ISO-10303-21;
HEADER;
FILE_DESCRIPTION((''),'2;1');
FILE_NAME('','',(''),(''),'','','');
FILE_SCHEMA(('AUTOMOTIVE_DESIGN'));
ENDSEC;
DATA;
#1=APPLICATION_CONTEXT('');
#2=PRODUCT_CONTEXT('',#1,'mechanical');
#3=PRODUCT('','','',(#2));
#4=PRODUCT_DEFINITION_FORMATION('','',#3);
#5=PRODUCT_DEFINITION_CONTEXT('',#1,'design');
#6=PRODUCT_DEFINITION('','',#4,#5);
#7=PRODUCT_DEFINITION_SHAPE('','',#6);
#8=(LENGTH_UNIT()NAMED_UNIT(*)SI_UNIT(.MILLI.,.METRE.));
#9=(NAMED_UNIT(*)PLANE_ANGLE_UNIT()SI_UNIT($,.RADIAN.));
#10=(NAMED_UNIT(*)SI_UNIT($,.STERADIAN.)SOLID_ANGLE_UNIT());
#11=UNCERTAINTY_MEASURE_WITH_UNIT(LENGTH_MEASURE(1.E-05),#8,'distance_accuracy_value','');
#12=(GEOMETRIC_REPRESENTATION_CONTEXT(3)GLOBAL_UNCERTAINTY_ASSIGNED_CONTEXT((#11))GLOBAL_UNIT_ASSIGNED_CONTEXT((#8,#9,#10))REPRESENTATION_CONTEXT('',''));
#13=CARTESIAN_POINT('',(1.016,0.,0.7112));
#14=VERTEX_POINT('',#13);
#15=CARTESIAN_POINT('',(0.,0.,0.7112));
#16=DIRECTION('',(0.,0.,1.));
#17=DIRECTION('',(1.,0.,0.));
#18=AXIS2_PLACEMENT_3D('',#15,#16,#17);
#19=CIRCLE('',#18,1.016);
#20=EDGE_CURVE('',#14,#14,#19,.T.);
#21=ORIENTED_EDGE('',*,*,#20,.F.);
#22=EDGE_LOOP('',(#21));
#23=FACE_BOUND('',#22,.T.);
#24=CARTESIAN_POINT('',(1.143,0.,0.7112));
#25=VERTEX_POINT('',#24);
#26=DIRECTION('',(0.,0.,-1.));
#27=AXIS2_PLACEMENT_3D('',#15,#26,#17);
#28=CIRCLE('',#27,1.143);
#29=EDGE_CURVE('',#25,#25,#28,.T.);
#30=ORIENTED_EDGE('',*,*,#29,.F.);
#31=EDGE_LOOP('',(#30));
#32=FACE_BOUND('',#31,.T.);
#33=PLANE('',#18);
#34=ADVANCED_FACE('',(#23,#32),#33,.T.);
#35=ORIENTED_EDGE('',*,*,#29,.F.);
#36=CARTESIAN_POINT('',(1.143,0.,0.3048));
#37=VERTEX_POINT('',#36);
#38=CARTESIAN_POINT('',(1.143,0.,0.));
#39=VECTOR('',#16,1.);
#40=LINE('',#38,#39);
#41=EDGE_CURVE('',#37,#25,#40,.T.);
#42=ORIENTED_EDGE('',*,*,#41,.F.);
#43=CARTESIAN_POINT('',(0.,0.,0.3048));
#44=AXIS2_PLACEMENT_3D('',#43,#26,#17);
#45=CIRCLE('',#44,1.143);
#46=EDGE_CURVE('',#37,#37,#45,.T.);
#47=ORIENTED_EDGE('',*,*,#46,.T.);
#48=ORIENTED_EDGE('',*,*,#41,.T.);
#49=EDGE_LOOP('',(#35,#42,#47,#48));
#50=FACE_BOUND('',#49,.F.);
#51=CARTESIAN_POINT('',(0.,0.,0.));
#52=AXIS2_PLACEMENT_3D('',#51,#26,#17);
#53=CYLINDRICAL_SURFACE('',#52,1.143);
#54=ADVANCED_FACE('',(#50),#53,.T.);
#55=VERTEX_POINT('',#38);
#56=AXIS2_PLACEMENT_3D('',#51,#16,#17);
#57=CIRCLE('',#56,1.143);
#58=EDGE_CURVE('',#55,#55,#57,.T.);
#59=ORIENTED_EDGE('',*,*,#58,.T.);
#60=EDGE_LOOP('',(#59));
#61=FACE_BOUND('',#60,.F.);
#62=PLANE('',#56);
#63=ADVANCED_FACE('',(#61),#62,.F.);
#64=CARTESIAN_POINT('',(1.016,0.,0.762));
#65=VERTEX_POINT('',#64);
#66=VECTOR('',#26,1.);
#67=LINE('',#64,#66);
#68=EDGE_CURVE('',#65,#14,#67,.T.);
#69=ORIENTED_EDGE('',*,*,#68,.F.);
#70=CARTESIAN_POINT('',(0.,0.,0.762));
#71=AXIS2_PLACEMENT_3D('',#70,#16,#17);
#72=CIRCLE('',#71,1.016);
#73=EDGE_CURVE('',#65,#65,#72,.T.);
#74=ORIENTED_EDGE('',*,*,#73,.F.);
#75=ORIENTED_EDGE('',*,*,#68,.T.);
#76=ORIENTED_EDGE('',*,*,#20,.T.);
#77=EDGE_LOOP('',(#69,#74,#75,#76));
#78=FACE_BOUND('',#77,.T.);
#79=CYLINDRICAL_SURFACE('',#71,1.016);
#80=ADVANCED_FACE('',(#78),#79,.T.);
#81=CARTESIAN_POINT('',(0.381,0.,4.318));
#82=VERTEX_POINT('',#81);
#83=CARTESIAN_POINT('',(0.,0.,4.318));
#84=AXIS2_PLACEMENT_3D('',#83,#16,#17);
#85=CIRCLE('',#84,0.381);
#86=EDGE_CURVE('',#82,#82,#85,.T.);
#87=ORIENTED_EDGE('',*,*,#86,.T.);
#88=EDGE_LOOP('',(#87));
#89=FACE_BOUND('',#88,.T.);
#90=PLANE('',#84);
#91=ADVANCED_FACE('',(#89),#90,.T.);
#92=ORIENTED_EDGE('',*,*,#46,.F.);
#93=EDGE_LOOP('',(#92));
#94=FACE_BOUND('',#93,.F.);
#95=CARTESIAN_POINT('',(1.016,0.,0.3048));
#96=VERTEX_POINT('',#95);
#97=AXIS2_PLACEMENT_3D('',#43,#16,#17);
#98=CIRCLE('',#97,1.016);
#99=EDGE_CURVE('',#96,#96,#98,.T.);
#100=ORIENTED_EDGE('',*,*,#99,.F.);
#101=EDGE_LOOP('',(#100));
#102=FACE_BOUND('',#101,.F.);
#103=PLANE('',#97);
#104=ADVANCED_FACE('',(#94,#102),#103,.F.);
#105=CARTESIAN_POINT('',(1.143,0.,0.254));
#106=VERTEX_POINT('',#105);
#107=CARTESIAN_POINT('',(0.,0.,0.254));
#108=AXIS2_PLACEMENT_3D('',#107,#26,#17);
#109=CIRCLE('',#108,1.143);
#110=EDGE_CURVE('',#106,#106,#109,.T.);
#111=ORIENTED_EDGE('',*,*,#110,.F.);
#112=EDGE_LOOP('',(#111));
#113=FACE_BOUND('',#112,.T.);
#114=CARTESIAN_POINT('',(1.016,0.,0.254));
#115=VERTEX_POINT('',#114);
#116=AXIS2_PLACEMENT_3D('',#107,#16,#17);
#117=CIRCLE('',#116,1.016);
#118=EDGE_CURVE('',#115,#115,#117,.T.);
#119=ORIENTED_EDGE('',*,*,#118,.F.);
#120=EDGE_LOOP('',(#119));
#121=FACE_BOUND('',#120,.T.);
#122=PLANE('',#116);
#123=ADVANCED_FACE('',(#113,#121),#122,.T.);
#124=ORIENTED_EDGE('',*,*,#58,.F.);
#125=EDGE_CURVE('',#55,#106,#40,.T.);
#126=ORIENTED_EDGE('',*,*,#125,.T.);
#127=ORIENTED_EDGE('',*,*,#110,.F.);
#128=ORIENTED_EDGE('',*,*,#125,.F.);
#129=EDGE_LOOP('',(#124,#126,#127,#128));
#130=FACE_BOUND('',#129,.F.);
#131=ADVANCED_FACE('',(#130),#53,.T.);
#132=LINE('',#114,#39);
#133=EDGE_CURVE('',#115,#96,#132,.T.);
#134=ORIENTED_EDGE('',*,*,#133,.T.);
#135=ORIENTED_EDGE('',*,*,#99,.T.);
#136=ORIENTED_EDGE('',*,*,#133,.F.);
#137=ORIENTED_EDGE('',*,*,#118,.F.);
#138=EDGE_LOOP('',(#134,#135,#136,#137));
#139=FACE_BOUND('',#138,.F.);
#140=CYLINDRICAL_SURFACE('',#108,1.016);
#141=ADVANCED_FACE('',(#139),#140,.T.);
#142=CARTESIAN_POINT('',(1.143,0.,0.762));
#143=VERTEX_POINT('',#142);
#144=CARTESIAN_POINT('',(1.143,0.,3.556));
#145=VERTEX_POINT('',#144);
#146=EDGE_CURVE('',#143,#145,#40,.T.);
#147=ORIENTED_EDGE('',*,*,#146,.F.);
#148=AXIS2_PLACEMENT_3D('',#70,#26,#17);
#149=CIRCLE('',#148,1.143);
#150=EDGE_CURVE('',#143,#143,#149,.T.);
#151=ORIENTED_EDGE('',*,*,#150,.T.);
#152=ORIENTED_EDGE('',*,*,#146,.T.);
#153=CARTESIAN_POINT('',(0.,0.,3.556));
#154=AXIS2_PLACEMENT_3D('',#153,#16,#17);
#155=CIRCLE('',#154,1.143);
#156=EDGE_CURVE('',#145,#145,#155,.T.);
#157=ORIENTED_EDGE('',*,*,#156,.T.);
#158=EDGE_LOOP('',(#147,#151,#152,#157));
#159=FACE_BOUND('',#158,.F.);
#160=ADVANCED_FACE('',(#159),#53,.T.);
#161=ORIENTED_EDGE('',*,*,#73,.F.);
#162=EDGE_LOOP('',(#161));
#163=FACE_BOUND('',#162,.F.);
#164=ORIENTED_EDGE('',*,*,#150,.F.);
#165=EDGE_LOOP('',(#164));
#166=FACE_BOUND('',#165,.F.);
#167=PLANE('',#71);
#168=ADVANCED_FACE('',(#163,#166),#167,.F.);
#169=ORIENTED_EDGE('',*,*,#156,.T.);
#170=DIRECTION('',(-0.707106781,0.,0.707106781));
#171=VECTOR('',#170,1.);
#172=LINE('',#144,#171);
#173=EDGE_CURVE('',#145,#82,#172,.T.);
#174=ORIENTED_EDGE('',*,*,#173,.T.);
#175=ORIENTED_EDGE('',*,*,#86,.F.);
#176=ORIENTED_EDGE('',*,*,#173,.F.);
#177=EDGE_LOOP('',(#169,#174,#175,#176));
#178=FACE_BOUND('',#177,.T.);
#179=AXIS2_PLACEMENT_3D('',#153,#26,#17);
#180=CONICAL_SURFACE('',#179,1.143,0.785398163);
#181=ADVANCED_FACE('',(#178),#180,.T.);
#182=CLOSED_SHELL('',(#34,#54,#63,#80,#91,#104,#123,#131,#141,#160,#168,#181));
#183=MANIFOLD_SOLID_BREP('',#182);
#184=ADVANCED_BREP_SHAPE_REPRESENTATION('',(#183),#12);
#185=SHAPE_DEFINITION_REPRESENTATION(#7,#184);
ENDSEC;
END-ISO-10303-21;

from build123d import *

# Parameters (mm, degrees)
F0_R     = 1.143
F1_DEPTH = 4.318
F4_R     = 1.1557
F4_R_2   = 1.016
F5_DEPTH = 0.0508
F6_R     = 1.1557
F6_R_2   = 1.016
F7_DEPTH = 0.0508
F8_SIZE  = 0.762


with BuildPart() as f1:
    # F0 (on Top) → F1 (new body)
    with BuildSketch(Plane.XY):
        Circle(F0_R)
    extrude(amount=F1_DEPTH)

    # F4 (on offset) → F5 (cut)
    with BuildSketch(Plane.XY.offset(0.254)):
        Circle(F4_R)
        Circle(F4_R_2, mode=Mode.SUBTRACT)
    extrude(amount=F5_DEPTH, mode=Mode.SUBTRACT)

    # F6 (on offset) → F7 (cut)
    with BuildSketch(Plane.XY.offset(0.762)):
        Circle(F6_R)
        Circle(F6_R_2, mode=Mode.SUBTRACT)
    extrude(amount=-F7_DEPTH, mode=Mode.SUBTRACT)

    # F8
    f8_edges = [f1.edges().sort_by_distance(p)[0] for p in [
        (-1.143, 0, 4.318),
    ]]
    chamfer(f8_edges, length=F8_SIZE)


solid = f1.part
